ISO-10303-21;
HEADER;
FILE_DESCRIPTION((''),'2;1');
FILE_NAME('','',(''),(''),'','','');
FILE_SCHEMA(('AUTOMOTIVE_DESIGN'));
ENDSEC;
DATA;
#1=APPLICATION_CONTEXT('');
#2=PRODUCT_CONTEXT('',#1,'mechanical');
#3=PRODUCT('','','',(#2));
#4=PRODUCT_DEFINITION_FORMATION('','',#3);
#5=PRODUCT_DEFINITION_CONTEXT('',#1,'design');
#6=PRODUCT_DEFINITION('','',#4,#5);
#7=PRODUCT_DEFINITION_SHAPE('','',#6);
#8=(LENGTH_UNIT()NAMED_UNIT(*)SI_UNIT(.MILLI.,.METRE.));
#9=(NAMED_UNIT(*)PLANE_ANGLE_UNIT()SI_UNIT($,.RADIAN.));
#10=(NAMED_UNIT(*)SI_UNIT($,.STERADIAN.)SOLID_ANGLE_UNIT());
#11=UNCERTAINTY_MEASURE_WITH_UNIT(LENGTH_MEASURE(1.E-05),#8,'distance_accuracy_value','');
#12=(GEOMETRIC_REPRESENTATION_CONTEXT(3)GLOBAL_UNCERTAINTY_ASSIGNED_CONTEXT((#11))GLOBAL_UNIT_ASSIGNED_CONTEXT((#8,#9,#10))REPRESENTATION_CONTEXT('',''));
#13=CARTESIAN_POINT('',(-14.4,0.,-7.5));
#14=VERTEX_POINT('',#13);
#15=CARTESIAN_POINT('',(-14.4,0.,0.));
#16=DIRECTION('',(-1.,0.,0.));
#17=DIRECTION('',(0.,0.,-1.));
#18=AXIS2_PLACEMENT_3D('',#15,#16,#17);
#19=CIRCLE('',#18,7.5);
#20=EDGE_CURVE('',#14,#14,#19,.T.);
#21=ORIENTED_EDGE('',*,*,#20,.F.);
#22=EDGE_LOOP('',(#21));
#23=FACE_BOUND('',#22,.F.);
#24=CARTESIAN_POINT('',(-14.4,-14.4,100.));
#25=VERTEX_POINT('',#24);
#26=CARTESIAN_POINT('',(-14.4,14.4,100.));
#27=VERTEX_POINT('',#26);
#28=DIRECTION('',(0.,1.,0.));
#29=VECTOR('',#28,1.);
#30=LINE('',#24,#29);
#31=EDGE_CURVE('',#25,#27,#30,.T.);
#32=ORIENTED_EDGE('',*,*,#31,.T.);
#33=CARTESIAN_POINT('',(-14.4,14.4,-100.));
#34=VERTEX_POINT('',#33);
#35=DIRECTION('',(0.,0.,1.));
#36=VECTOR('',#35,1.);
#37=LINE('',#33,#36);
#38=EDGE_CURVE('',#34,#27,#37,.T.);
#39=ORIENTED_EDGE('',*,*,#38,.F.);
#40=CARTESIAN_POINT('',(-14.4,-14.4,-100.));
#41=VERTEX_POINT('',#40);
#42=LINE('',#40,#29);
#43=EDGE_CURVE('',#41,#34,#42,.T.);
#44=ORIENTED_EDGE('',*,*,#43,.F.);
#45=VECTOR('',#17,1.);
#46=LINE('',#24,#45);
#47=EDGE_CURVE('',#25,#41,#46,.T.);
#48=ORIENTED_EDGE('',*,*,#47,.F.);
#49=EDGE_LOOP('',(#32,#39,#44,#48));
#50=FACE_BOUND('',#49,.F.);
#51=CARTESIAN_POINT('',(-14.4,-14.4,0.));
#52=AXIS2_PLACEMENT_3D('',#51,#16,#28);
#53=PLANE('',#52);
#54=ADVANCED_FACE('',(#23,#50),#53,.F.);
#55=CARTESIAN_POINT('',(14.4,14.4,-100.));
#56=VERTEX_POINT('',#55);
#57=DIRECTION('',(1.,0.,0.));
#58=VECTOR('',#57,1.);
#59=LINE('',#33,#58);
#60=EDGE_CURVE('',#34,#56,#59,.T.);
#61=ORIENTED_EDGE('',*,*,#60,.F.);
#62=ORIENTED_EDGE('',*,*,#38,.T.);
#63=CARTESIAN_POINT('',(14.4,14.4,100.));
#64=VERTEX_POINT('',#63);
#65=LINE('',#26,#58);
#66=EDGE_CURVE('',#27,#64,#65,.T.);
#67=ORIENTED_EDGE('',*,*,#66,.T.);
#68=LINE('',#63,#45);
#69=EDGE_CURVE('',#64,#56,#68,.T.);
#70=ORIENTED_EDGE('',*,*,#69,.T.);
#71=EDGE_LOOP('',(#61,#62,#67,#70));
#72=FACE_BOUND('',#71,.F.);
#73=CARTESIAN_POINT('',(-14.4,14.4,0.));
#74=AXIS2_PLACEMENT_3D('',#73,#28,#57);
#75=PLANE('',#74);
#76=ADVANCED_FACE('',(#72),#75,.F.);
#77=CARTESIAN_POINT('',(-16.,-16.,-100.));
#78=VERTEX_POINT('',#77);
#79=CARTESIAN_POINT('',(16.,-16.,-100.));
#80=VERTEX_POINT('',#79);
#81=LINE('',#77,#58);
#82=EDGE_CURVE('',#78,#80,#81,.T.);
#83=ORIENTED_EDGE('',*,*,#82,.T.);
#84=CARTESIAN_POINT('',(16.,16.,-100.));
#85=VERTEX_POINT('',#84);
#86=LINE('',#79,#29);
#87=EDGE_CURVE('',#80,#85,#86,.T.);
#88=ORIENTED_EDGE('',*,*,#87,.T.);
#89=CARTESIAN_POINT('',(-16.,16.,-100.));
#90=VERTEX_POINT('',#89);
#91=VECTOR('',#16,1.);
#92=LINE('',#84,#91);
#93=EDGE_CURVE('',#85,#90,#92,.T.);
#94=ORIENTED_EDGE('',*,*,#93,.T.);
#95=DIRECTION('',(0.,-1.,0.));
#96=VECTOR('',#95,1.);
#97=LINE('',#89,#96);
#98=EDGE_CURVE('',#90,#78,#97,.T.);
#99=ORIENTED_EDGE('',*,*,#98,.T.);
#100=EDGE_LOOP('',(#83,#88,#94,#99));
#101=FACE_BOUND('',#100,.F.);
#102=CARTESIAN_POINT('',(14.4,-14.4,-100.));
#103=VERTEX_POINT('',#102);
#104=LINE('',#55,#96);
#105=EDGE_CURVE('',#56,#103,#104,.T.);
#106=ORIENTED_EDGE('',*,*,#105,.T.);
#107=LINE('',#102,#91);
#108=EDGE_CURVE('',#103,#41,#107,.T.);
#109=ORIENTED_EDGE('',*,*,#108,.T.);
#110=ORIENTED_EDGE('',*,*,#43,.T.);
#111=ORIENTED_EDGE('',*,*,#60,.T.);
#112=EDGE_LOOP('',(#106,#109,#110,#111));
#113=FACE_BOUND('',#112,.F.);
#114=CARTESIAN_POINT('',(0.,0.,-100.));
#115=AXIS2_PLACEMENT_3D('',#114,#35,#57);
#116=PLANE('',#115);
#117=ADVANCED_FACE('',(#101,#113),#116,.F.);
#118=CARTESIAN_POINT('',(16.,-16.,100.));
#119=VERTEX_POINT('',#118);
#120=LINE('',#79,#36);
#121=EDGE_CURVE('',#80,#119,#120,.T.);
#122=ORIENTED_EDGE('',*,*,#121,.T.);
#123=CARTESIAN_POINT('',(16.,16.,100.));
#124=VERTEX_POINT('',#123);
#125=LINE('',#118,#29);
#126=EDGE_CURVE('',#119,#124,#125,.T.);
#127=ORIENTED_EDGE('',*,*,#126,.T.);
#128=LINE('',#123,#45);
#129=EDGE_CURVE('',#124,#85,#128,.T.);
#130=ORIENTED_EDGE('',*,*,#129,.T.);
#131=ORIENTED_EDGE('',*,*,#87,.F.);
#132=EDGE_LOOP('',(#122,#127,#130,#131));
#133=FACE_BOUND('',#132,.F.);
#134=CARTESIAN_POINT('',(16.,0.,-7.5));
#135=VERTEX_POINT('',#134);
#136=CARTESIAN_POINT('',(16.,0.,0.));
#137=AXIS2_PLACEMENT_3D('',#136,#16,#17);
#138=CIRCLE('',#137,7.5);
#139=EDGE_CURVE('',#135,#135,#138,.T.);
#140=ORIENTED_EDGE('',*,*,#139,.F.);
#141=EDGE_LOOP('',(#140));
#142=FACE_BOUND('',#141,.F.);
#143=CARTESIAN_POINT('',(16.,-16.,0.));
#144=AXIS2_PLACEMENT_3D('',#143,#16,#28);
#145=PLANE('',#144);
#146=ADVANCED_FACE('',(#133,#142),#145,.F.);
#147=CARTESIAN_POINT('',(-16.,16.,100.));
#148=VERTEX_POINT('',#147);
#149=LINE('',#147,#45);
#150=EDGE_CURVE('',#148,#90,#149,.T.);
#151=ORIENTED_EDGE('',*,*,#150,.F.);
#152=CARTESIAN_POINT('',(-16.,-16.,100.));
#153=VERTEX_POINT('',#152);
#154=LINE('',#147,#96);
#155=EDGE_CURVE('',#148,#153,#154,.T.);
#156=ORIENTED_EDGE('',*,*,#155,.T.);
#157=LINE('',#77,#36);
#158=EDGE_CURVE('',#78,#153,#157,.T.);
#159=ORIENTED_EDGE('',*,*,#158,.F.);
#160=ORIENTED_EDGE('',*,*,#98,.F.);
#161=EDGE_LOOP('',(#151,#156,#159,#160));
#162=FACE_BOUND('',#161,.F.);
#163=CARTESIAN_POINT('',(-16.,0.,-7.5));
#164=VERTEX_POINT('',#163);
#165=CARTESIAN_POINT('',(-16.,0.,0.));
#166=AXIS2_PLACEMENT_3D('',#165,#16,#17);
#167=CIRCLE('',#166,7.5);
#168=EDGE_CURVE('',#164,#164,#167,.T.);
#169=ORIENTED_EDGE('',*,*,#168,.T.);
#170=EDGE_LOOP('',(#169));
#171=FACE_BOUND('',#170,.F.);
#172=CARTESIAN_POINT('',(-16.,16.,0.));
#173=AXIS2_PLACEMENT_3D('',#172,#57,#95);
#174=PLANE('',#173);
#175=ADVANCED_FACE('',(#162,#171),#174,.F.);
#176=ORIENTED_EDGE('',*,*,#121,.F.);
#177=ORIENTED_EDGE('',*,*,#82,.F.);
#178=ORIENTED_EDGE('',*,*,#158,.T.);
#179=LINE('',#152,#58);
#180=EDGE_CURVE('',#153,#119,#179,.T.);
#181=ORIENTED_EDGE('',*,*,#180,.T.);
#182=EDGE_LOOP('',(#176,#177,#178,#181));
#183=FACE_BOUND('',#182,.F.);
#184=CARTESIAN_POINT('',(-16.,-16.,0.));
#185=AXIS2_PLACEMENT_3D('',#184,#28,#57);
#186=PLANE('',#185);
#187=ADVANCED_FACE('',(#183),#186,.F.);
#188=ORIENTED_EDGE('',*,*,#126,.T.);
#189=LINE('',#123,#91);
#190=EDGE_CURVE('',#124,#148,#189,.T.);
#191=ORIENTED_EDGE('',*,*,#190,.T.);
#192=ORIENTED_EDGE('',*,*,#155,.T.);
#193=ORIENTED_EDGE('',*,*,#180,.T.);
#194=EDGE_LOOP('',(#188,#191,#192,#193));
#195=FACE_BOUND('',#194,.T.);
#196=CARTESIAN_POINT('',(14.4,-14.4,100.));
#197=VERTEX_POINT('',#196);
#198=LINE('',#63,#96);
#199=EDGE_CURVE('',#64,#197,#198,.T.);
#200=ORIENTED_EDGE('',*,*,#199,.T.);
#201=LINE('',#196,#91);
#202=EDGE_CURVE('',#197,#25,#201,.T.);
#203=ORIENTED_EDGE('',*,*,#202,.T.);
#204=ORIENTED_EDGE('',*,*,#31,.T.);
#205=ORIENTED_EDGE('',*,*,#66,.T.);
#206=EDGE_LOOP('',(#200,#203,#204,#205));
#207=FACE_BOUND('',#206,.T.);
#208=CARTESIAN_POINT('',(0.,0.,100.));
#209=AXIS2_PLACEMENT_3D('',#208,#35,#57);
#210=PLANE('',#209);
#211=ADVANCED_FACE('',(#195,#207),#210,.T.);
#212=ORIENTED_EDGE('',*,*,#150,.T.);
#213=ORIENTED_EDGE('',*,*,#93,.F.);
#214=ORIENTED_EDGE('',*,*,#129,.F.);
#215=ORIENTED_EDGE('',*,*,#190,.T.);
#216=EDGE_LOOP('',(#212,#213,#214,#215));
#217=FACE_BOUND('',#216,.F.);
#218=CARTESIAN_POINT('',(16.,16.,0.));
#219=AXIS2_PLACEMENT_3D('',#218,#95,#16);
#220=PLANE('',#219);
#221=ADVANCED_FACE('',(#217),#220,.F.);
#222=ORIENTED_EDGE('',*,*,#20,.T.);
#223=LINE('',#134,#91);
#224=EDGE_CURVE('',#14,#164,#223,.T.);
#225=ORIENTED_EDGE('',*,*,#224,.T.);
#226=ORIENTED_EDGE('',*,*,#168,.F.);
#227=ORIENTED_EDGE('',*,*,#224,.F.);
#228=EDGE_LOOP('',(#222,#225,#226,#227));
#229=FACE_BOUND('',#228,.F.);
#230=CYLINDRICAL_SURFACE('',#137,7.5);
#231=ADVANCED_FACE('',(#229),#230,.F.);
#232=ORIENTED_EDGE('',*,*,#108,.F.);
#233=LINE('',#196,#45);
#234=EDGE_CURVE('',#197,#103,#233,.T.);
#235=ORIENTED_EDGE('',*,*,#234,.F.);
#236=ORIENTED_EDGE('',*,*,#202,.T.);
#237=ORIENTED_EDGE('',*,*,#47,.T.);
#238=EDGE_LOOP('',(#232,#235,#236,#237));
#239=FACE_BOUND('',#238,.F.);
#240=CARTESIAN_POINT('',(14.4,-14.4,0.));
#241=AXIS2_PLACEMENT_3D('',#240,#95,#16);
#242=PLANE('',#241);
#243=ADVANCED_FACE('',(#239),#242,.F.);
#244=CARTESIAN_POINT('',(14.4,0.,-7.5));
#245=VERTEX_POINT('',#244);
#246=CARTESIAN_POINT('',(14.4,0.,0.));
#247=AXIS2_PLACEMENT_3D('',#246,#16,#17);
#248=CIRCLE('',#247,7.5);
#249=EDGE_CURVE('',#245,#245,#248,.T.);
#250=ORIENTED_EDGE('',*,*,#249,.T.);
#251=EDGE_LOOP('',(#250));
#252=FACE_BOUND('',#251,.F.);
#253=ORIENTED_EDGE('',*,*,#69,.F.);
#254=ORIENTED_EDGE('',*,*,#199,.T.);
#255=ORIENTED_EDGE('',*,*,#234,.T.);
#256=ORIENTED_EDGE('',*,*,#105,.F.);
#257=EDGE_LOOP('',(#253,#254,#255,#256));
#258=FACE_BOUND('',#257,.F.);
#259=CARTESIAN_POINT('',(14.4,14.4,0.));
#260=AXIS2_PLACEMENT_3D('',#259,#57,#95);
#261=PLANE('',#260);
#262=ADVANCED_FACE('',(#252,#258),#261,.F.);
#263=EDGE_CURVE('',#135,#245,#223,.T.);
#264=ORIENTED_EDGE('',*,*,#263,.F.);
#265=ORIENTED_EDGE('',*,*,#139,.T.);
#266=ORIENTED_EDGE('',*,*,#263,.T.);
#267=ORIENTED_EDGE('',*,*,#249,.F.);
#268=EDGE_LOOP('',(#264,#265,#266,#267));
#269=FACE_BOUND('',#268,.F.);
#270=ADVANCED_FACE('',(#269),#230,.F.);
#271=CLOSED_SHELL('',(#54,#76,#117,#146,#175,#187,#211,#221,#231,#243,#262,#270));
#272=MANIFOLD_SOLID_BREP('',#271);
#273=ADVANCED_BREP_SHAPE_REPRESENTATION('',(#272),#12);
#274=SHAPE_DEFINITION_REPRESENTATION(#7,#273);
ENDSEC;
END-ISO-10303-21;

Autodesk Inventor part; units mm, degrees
ref_plane "YZ Plane" through (0, 0, 0) normal (1, 0, 0) x (0, 1, 0)
ref_plane "XZ Plane" through (0, 0, 0) normal (0, 1, 0) x (-1, 0, 0)
sketch "スケッチ1" plane through (0, 0, 0) normal (0, 0, 1) x (1, 0, 0)
  line L0 (-16, -16) -> (16, -16)
  line L1 (16, -16) -> (16, 16)
  line L2 (16, 16) -> (-16, 16)
  line L3 (-16, 16) -> (-16, -16)
  line L4 (-16, -16) -> (16, 16) construction
  line L5 (16, -16) -> (-16, 16) construction
  line L6 (-14.4, 14.4) -> (14.4, 14.4)
  line L7 (14.4, 14.4) -> (14.4, -14.4)
  line L8 (14.4, -14.4) -> (-14.4, -14.4)
  line L9 (-14.4, -14.4) -> (-14.4, 14.4)
  point P0 (0, 0)
  dimension "d0" = 32
  dimension "d1" = 32
  dimension "d2" = 1.6
extrude "押し出し1" add sketch "スケッチ1" along normal mid plane 200
ref_plane "作業平面1" through (16, -16, 100) normal (1, 0, 0) x (0, 0, -1)
sketch "スケッチ2" plane through (16, -16, 100) normal (1, 0, 0) x (0, 0, -1)
  point P0 (100, 16)
  point P1 (100, 16)
hole "穴1" at (16, 0, 0) direction (-1, 0, 0) diameter 15 end through all
properties part number "Pipe横"
